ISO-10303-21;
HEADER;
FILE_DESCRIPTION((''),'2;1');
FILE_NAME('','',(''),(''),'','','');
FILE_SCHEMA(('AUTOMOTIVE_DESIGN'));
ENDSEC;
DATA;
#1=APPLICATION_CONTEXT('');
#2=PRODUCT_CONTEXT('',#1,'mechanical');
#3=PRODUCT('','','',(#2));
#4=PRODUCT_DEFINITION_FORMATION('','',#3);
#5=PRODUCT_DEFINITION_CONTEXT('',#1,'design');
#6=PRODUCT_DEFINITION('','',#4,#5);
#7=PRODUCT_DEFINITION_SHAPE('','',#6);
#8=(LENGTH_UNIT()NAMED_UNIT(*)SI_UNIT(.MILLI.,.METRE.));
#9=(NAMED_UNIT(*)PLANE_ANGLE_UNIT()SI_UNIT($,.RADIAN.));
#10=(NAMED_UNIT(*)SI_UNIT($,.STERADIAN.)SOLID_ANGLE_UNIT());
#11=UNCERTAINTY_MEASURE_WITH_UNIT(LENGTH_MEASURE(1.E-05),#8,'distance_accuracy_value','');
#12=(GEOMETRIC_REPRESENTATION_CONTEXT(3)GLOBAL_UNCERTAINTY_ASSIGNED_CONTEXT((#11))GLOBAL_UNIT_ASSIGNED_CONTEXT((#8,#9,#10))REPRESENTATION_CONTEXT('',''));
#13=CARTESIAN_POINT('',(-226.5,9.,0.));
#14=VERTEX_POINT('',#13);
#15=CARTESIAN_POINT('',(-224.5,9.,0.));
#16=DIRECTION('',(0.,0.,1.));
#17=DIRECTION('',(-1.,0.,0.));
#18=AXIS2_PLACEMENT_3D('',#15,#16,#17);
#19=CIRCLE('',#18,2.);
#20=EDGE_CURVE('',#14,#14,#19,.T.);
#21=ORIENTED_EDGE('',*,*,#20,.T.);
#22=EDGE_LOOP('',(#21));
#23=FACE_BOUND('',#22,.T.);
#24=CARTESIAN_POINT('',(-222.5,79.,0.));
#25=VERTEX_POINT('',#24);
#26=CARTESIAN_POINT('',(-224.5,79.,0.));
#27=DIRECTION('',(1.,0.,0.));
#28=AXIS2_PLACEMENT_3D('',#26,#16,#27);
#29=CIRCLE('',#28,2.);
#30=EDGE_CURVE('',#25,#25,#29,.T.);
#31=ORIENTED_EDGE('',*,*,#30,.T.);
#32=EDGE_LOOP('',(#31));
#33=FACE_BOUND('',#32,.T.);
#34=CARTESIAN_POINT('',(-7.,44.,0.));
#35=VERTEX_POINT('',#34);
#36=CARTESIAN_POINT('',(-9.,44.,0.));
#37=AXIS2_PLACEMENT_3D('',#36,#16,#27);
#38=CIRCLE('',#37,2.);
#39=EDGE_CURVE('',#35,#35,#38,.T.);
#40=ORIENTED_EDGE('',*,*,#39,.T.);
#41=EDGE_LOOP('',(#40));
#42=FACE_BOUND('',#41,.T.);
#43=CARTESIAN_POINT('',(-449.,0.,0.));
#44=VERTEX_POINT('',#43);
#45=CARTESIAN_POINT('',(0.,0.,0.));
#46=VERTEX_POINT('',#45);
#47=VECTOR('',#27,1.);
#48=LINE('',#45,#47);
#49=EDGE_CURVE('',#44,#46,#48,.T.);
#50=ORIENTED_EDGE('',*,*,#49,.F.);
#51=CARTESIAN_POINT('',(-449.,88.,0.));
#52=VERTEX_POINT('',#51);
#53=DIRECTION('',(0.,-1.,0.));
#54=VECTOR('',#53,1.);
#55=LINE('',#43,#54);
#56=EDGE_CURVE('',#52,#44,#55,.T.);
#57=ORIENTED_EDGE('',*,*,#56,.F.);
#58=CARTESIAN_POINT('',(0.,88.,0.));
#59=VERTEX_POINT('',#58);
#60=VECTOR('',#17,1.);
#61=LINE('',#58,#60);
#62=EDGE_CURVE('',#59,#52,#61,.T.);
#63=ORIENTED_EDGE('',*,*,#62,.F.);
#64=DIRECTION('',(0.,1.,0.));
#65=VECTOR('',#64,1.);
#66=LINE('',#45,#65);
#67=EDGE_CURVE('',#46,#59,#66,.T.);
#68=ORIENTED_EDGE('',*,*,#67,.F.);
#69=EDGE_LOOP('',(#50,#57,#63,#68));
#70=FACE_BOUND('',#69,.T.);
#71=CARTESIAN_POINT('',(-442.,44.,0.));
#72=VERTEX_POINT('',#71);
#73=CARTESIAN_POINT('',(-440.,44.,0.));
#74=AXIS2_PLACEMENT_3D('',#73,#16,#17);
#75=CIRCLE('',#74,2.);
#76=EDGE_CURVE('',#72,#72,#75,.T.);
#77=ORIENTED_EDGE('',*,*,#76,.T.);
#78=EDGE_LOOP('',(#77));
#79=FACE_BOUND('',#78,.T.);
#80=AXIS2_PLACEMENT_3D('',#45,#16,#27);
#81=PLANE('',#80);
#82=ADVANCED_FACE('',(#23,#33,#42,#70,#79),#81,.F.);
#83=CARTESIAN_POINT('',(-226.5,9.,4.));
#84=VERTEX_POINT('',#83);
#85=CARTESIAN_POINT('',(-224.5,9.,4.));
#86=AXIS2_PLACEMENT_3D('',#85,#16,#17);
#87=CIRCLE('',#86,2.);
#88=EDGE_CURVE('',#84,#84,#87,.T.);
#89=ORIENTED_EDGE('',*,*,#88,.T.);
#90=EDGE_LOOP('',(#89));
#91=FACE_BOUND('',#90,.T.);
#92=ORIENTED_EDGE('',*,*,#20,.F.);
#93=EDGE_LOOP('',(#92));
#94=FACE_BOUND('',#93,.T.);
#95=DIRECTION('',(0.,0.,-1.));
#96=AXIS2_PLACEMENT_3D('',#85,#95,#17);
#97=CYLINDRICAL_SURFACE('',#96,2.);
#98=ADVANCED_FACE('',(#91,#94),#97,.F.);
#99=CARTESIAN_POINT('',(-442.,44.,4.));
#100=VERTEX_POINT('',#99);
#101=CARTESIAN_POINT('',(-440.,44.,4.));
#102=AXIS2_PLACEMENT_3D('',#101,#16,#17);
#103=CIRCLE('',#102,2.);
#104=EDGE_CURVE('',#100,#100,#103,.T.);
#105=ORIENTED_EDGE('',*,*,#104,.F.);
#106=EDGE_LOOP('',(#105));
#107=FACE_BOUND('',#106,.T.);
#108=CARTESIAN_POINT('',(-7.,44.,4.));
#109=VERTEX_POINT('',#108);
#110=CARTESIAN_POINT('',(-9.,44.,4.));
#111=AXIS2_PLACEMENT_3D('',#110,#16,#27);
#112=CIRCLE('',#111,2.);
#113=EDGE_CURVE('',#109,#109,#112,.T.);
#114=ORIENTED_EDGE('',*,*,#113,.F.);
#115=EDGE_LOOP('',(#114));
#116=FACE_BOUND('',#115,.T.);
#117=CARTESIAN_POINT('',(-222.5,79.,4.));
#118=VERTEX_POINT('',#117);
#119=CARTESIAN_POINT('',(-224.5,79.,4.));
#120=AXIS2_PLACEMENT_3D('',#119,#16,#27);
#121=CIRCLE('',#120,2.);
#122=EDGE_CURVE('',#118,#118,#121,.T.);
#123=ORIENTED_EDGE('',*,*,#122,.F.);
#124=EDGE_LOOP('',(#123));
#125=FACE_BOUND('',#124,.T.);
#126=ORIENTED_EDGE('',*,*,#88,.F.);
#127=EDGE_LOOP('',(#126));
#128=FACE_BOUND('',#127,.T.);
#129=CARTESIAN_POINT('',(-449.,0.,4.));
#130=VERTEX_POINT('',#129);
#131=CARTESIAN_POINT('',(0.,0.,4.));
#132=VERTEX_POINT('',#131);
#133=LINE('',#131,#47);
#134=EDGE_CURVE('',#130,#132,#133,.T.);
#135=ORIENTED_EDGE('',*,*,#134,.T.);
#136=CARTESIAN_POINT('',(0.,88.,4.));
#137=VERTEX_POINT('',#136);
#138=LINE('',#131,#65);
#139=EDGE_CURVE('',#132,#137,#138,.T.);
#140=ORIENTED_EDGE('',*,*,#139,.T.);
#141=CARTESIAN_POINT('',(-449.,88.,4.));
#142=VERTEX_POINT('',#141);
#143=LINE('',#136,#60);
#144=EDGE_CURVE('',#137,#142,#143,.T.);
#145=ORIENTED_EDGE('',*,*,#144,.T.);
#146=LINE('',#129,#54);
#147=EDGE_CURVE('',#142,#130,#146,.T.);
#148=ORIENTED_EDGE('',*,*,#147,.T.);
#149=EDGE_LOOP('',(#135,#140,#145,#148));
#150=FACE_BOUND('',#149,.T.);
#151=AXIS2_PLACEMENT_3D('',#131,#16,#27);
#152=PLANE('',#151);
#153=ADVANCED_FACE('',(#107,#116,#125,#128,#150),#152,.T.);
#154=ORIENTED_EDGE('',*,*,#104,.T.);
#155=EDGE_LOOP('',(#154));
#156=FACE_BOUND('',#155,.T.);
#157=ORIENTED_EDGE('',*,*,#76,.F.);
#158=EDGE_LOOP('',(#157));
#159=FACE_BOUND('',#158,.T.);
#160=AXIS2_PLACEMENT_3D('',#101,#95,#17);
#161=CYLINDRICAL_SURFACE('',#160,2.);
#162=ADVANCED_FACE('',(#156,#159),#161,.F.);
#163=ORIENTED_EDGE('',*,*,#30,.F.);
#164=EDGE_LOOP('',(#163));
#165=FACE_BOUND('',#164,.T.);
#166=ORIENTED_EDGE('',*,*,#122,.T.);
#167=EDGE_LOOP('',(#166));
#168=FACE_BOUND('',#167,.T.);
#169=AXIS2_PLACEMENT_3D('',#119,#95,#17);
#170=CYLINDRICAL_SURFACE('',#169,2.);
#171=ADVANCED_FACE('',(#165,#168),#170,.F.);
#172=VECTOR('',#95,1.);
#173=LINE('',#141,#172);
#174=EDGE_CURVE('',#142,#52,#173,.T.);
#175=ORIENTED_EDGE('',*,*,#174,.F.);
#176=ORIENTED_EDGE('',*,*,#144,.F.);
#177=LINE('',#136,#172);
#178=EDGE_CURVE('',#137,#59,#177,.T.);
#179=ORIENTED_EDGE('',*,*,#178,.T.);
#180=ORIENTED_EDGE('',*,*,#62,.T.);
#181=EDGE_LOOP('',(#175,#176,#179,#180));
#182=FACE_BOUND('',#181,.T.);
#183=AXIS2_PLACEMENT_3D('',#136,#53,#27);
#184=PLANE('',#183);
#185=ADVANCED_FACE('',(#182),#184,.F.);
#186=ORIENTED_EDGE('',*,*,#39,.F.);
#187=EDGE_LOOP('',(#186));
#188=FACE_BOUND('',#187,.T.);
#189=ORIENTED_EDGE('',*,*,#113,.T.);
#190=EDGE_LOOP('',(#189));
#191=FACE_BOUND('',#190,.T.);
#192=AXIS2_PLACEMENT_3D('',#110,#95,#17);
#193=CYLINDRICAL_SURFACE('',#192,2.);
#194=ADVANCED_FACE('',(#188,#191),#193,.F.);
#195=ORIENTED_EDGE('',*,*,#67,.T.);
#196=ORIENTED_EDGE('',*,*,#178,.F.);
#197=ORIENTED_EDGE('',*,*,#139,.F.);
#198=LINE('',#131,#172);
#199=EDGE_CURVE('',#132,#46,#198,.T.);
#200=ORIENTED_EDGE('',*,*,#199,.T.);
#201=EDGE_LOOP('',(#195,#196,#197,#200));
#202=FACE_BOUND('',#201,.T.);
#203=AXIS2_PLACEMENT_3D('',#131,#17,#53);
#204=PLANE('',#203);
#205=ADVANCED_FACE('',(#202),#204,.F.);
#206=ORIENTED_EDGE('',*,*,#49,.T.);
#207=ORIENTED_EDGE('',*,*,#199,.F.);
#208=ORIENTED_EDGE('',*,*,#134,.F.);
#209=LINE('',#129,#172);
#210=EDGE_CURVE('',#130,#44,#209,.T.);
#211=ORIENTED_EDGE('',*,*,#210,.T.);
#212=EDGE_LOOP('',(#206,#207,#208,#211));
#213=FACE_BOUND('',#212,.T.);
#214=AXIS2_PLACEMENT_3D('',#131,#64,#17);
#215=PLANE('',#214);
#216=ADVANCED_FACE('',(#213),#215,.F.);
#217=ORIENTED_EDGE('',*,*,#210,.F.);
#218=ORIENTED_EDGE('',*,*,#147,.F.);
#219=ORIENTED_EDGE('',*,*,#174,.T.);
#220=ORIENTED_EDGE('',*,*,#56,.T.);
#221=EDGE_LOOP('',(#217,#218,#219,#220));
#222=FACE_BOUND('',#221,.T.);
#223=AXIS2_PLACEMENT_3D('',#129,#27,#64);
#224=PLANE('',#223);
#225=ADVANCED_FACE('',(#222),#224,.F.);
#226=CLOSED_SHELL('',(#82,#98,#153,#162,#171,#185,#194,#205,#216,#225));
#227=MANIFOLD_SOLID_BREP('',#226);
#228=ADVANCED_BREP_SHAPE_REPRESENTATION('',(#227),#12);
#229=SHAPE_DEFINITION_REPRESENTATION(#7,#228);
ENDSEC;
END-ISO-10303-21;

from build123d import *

# Parameters (mm, degrees)
SCHIZZO1_W                   = 449
SCHIZZO1_H                   = 88
SCHIZZO1_R                   = 2
ESTRUSIONE_ESTRUSIONE1_DEPTH = 4


with BuildPart() as part:
    # Schizzo1 → Estrusione-Estrusione1 (new body)
    with BuildSketch(Plane.XY):
        with Locations((-224.5, 44)):
            Rectangle(SCHIZZO1_W, SCHIZZO1_H)
        with Locations((-9, 44)):
            Circle(SCHIZZO1_R, mode=Mode.SUBTRACT)
        with Locations((-224.5, 79)):
            Circle(SCHIZZO1_R, mode=Mode.SUBTRACT)
        with Locations(Location((-440, 44, 0), (0, 0, 180))):
            Circle(SCHIZZO1_R, mode=Mode.SUBTRACT)
        with Locations(Location((-224.5, 9, 0), (0, 0, 180))):
            Circle(SCHIZZO1_R, mode=Mode.SUBTRACT)
    extrude(amount=ESTRUSIONE_ESTRUSIONE1_DEPTH)


solid = part.part
